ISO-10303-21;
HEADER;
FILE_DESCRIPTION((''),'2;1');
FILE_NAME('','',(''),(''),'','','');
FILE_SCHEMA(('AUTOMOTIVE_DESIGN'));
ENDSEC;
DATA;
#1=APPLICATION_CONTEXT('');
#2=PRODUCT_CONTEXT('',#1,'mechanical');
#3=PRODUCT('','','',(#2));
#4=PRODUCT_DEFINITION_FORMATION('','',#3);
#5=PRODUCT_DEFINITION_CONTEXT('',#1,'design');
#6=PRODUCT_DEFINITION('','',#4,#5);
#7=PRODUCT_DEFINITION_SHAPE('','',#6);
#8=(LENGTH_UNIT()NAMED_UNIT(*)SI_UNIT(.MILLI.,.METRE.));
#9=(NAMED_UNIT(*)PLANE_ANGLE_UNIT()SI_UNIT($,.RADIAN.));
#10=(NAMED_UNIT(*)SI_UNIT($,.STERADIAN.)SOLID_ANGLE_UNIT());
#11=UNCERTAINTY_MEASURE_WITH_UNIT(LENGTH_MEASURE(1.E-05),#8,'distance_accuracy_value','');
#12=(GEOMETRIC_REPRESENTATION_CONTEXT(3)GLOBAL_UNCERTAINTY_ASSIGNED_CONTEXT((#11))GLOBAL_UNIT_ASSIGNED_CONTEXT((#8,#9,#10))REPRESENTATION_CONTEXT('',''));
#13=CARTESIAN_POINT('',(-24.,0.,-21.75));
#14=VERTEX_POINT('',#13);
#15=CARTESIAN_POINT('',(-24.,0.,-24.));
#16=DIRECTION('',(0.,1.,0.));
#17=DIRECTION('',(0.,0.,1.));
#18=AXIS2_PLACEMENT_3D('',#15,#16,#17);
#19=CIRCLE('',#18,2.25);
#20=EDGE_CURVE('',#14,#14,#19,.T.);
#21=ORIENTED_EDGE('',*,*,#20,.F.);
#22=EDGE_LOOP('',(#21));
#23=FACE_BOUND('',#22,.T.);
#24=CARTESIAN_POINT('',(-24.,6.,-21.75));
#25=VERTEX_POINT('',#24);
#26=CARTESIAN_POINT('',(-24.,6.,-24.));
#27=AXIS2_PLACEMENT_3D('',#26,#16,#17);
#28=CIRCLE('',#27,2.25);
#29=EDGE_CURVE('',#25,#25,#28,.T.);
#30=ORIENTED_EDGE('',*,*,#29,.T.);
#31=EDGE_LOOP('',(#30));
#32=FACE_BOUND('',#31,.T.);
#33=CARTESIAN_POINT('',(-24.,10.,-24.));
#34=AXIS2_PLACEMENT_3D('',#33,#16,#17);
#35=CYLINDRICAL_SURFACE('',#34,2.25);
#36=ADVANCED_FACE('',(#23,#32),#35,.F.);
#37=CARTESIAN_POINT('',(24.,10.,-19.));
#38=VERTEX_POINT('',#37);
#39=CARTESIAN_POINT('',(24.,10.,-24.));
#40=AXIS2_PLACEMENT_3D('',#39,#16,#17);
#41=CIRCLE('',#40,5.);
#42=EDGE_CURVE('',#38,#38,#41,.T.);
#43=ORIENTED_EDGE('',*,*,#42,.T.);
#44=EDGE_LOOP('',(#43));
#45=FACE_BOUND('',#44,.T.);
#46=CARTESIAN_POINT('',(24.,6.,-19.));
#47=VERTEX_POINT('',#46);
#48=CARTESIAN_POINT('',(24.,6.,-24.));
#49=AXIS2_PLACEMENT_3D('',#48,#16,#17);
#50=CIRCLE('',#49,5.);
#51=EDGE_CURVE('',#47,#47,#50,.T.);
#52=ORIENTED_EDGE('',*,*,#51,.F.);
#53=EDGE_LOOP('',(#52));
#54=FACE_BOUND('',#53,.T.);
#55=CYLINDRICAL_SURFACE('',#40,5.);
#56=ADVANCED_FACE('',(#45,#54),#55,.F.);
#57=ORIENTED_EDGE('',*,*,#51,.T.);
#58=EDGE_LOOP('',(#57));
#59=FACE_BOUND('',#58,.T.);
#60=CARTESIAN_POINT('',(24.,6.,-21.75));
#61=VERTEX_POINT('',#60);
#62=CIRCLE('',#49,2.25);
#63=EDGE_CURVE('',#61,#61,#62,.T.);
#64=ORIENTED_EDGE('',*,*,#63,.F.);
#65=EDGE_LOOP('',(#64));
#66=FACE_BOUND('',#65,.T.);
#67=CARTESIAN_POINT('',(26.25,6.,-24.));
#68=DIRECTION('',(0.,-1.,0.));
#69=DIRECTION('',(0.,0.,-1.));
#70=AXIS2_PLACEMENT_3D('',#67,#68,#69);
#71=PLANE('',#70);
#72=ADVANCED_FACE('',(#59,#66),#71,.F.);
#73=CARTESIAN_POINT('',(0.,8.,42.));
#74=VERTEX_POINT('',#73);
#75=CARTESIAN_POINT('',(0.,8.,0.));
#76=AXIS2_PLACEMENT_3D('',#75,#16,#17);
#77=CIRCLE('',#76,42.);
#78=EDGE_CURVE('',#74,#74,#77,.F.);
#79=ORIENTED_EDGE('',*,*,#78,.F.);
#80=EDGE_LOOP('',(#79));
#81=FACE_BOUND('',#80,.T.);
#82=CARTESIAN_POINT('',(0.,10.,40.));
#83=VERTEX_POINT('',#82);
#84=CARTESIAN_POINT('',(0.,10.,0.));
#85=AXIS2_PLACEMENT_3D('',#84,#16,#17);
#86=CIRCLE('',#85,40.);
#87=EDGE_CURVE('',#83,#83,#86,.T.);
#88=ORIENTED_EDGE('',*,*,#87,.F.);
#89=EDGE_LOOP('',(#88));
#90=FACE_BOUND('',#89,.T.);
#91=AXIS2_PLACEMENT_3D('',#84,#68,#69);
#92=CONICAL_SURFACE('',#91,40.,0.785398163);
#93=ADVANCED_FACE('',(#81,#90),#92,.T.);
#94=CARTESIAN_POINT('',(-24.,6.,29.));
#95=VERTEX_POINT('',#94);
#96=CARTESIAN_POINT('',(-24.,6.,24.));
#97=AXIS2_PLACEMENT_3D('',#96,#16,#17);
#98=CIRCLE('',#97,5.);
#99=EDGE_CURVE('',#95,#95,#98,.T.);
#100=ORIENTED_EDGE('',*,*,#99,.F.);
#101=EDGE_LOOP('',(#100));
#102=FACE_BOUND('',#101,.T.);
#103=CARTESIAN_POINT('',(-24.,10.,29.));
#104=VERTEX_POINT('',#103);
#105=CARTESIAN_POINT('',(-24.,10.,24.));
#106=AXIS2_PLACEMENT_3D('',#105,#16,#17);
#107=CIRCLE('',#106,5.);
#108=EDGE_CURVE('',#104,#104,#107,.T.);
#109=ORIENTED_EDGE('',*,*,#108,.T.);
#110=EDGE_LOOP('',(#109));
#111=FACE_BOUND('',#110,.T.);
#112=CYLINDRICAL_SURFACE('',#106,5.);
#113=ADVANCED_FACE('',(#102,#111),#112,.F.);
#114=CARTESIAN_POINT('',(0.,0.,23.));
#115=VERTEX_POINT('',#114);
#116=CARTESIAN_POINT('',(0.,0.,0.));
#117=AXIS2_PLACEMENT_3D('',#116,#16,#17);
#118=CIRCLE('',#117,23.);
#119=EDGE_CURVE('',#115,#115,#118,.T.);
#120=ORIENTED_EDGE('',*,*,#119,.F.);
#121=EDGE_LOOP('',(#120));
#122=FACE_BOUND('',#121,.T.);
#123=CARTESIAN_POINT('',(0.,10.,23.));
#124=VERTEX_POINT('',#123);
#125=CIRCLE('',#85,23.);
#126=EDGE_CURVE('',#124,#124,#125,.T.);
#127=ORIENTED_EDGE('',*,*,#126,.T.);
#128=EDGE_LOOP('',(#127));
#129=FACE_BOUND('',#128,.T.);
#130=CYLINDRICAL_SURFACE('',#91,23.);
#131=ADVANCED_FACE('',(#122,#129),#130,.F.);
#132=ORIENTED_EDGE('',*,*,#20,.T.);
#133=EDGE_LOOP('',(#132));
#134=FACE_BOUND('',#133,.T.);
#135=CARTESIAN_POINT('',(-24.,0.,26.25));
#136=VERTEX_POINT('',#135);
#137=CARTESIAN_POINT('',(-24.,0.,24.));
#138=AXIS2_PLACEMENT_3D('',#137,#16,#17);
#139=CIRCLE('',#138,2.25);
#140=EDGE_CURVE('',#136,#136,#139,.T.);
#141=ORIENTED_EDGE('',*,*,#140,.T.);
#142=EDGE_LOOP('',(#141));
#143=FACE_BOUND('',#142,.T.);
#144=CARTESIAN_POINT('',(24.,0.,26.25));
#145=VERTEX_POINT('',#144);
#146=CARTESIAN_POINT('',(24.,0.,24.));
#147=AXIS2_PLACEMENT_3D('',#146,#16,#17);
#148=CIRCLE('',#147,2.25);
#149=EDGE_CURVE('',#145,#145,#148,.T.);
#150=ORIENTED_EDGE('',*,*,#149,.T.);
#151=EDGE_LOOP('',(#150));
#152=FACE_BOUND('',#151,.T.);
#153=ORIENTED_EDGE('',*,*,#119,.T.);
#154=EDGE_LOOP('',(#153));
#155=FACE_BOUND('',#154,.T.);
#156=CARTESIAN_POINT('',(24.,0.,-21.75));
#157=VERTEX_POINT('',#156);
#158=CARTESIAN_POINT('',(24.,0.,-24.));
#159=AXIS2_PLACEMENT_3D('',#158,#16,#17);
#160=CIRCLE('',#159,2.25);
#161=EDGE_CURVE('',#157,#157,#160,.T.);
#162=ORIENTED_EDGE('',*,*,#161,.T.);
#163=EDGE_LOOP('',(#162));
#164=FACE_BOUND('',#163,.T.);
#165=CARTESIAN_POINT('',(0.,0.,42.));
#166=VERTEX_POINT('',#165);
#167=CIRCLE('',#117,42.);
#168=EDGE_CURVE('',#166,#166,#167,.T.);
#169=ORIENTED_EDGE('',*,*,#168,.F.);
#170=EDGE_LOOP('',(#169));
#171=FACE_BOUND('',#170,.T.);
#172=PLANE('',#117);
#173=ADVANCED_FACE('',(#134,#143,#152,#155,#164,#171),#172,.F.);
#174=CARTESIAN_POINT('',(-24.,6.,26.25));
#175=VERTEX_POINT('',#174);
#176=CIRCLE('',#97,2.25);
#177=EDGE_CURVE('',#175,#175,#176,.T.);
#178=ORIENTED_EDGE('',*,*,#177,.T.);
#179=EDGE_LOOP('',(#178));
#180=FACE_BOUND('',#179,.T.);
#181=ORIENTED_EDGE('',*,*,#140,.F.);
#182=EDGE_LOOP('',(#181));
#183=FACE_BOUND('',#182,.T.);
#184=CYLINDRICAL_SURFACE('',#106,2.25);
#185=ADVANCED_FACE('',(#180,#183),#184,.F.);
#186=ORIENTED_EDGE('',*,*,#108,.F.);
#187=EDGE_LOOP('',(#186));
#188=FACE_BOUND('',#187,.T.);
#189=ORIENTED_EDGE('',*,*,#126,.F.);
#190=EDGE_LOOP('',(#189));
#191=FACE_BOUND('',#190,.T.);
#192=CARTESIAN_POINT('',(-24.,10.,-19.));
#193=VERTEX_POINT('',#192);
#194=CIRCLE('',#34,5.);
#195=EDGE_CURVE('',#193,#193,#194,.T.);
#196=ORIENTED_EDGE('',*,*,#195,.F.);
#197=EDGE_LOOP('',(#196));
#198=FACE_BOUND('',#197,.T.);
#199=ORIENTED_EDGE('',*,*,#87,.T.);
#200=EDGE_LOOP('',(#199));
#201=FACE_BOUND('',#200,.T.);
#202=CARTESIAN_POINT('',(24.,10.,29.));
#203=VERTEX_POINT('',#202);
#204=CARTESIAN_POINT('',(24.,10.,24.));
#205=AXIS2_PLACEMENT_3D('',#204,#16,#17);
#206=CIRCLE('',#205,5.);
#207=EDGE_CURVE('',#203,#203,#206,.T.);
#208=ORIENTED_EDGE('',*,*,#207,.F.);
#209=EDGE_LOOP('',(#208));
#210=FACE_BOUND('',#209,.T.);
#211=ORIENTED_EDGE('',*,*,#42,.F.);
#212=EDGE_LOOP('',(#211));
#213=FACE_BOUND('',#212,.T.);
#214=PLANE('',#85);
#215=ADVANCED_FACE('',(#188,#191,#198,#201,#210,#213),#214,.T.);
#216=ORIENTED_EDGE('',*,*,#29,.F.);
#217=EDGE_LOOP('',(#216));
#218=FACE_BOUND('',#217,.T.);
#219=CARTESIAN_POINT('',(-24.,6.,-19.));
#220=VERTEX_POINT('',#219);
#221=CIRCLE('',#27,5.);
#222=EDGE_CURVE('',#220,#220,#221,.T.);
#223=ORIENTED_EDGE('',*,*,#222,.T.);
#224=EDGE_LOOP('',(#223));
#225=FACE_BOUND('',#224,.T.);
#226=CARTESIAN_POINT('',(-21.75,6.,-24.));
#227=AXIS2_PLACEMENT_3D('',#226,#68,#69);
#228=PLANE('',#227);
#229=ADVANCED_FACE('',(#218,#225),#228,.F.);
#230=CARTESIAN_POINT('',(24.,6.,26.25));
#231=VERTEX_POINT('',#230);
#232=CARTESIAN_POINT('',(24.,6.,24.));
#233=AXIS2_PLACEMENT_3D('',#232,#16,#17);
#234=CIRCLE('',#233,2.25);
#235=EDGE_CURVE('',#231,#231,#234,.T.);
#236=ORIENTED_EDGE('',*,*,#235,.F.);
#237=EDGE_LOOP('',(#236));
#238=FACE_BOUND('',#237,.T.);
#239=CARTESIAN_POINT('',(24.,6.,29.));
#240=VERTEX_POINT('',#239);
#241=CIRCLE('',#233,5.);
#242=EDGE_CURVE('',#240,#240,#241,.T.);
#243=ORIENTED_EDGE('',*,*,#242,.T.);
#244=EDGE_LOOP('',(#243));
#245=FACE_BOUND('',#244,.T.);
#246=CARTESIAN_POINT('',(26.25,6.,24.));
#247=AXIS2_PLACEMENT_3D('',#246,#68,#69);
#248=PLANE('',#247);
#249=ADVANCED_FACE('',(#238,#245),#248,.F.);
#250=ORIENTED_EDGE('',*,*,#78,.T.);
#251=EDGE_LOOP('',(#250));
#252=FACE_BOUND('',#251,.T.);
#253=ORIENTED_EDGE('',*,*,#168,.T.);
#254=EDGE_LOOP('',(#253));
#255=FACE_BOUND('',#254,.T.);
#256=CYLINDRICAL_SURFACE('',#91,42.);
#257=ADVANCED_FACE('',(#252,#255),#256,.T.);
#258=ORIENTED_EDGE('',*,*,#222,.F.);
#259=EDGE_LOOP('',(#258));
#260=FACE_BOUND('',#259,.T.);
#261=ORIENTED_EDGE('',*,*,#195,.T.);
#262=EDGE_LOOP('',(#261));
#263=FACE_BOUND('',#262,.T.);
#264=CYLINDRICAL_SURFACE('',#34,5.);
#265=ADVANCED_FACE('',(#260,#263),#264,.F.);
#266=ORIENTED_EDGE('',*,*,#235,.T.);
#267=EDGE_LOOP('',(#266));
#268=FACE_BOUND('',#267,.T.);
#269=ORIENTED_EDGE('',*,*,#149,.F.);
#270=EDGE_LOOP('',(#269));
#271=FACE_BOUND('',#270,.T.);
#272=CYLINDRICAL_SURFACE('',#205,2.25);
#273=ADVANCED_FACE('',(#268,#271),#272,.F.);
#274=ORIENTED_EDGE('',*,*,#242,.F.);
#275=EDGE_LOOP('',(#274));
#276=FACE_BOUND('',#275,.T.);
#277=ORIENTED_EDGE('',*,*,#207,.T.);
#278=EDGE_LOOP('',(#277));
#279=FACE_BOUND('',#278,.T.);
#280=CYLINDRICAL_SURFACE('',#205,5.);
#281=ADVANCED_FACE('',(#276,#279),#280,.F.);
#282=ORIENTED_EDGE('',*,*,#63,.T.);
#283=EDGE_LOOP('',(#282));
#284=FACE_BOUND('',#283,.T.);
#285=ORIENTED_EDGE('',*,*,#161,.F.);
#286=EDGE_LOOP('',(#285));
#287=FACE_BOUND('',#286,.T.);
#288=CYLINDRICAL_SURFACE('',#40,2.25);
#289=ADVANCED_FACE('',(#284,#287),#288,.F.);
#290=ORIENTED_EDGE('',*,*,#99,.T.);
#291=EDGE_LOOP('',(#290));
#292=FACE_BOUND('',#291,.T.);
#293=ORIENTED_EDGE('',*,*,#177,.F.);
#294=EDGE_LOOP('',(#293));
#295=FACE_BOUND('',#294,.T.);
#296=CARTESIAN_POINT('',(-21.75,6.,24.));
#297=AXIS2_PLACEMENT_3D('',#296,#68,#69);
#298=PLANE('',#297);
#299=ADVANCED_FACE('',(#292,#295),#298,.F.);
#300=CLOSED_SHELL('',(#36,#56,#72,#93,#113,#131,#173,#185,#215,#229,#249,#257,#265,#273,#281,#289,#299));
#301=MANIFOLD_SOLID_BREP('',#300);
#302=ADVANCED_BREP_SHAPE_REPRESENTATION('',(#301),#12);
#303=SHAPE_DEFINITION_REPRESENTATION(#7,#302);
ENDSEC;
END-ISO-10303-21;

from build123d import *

# Parameters (mm, degrees)
SKETCH1_R                               = 42
SKETCH1_R_2                             = 23
EXTRUDE1_DEPTH                          = 10
CBORE_FOR_M4_HEX_HEAD_BOLT1_D           = 4.5
CBORE_FOR_M4_HEX_HEAD_BOLT1_DEPTH       = 19.75
CBORE_FOR_M4_HEX_HEAD_BOLT1_CBORE_D     = 10
CBORE_FOR_M4_HEX_HEAD_BOLT1_CBORE_DEPTH = 4
CBORE_FOR_M4_HEX_HEAD_BOLT1_TIP         = 1.351936393
CHAMFER2_SIZE                           = 2


with BuildPart() as part:
    # Sketch1 → Extrude1 (new body)
    with BuildSketch(Plane(origin=(0, 0, 0), x_dir=(1, 0, 0), z_dir=(0, 1, 0))):
        with Locations(Location((0, 0, 0), (0, 0, 270))):
            Circle(SKETCH1_R)
        with Locations(Location((0, 0, 0), (0, 0, 270))):
            Circle(SKETCH1_R_2, mode=Mode.SUBTRACT)
    extrude(amount=EXTRUDE1_DEPTH)

    # CBORE for M4 Hex Head Bolt1
    with Locations(Plane(origin=(-24, 10, -24), x_dir=(0, 0, 1), z_dir=(0, 1, 0))):
        with Locations((0, 0), (0, 48), (48, 48), (48, 0)):
            CounterBoreHole(CBORE_FOR_M4_HEX_HEAD_BOLT1_D / 2, CBORE_FOR_M4_HEX_HEAD_BOLT1_CBORE_D / 2, CBORE_FOR_M4_HEX_HEAD_BOLT1_CBORE_DEPTH, depth=CBORE_FOR_M4_HEX_HEAD_BOLT1_DEPTH)
            with Locations((0, 0, -(CBORE_FOR_M4_HEX_HEAD_BOLT1_DEPTH + CBORE_FOR_M4_HEX_HEAD_BOLT1_TIP / 2))):  # 118° drill point
                Cone(0, CBORE_FOR_M4_HEX_HEAD_BOLT1_D / 2, CBORE_FOR_M4_HEX_HEAD_BOLT1_TIP, mode=Mode.SUBTRACT)

    # Chamfer2
    chamfer2_edges = [part.edges().sort_by_distance(p)[0] for p in [
        (0, 10, -42),
    ]]
    chamfer(chamfer2_edges, length=CHAMFER2_SIZE)


solid = part.part
